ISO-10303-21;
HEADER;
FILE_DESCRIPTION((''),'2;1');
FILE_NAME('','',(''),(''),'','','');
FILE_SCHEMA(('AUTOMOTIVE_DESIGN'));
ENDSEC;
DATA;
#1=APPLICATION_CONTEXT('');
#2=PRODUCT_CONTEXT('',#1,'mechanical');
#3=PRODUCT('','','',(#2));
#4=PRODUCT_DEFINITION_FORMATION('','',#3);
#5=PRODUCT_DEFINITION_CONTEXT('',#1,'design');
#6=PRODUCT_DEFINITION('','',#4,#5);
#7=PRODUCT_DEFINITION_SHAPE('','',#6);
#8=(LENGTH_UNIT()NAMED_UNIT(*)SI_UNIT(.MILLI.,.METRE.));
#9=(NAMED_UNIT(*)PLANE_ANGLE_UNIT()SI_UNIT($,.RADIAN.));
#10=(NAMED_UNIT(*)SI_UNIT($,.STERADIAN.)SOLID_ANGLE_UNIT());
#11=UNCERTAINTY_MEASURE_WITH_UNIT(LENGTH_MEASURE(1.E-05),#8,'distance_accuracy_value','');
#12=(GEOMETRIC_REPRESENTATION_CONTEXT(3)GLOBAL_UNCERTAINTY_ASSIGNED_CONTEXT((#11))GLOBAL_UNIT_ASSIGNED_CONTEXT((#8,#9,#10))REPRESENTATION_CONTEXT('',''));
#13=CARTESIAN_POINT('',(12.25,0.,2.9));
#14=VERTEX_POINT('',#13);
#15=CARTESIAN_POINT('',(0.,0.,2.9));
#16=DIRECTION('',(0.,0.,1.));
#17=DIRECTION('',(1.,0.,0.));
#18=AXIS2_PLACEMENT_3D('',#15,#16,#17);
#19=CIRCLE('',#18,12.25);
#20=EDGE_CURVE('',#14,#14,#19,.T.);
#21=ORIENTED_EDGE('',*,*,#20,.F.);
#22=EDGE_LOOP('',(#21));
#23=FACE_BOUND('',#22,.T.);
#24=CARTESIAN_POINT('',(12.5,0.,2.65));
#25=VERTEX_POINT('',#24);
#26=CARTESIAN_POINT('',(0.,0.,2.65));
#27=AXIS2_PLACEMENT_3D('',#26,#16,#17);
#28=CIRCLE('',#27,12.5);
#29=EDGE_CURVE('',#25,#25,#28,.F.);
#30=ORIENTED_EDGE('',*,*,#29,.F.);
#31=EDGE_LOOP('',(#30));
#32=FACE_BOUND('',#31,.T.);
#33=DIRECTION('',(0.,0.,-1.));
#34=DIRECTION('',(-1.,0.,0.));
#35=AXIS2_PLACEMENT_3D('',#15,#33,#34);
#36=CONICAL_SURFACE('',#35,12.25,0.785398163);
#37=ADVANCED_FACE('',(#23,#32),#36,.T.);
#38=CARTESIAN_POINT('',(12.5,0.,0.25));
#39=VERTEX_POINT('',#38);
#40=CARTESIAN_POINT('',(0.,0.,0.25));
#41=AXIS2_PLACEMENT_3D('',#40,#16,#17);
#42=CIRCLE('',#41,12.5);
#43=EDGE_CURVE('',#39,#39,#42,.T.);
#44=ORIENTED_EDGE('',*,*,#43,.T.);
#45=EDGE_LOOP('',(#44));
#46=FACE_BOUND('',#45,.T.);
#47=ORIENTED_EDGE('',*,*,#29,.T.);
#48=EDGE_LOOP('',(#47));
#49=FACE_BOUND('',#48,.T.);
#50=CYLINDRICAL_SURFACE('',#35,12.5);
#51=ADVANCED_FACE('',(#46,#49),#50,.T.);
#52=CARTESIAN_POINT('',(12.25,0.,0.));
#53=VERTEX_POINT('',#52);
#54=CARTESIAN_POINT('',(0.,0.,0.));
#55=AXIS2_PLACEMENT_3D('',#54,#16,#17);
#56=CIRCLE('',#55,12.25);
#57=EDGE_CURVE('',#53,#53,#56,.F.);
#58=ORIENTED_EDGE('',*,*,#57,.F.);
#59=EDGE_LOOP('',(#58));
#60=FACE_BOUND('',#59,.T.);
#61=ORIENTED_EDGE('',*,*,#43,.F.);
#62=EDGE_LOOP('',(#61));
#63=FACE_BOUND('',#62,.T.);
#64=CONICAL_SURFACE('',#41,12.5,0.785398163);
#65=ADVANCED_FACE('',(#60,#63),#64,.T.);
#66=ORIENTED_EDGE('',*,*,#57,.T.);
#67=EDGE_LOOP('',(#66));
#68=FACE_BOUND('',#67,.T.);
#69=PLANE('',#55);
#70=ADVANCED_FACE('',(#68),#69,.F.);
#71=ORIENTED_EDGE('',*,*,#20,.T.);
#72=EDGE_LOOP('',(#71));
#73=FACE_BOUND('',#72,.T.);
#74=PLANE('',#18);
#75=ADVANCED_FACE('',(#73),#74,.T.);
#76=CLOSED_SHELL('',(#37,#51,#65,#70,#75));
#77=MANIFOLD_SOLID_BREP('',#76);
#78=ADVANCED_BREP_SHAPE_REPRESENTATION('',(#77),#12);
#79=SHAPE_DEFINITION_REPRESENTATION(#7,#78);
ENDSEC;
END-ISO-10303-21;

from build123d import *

# Parameters (mm, degrees)
ESQUISSE1_R        = 12.5
BOSS_EXTRU_2_DEPTH = 2.9
CHANFREIN2_SIZE    = 0.25
CHANFREIN3_SIZE    = 0.25


with BuildPart() as part:
    # Esquisse1 → Boss.-Extru.2 (new body)
    with BuildSketch(Plane.XY):
        Circle(ESQUISSE1_R)
    extrude(amount=BOSS_EXTRU_2_DEPTH)

    # Chanfrein2
    chanfrein2_edges = [part.edges().sort_by_distance(p)[0] for p in [
        (-12.5, 0, 2.9),
    ]]
    chamfer(chanfrein2_edges, length=CHANFREIN2_SIZE)

    # Chanfrein3
    chanfrein3_edges = [part.edges().sort_by_distance(p)[0] for p in [
        (-12.5, 0, 0),
    ]]
    chamfer(chanfrein3_edges, length=CHANFREIN3_SIZE)


solid = part.part
